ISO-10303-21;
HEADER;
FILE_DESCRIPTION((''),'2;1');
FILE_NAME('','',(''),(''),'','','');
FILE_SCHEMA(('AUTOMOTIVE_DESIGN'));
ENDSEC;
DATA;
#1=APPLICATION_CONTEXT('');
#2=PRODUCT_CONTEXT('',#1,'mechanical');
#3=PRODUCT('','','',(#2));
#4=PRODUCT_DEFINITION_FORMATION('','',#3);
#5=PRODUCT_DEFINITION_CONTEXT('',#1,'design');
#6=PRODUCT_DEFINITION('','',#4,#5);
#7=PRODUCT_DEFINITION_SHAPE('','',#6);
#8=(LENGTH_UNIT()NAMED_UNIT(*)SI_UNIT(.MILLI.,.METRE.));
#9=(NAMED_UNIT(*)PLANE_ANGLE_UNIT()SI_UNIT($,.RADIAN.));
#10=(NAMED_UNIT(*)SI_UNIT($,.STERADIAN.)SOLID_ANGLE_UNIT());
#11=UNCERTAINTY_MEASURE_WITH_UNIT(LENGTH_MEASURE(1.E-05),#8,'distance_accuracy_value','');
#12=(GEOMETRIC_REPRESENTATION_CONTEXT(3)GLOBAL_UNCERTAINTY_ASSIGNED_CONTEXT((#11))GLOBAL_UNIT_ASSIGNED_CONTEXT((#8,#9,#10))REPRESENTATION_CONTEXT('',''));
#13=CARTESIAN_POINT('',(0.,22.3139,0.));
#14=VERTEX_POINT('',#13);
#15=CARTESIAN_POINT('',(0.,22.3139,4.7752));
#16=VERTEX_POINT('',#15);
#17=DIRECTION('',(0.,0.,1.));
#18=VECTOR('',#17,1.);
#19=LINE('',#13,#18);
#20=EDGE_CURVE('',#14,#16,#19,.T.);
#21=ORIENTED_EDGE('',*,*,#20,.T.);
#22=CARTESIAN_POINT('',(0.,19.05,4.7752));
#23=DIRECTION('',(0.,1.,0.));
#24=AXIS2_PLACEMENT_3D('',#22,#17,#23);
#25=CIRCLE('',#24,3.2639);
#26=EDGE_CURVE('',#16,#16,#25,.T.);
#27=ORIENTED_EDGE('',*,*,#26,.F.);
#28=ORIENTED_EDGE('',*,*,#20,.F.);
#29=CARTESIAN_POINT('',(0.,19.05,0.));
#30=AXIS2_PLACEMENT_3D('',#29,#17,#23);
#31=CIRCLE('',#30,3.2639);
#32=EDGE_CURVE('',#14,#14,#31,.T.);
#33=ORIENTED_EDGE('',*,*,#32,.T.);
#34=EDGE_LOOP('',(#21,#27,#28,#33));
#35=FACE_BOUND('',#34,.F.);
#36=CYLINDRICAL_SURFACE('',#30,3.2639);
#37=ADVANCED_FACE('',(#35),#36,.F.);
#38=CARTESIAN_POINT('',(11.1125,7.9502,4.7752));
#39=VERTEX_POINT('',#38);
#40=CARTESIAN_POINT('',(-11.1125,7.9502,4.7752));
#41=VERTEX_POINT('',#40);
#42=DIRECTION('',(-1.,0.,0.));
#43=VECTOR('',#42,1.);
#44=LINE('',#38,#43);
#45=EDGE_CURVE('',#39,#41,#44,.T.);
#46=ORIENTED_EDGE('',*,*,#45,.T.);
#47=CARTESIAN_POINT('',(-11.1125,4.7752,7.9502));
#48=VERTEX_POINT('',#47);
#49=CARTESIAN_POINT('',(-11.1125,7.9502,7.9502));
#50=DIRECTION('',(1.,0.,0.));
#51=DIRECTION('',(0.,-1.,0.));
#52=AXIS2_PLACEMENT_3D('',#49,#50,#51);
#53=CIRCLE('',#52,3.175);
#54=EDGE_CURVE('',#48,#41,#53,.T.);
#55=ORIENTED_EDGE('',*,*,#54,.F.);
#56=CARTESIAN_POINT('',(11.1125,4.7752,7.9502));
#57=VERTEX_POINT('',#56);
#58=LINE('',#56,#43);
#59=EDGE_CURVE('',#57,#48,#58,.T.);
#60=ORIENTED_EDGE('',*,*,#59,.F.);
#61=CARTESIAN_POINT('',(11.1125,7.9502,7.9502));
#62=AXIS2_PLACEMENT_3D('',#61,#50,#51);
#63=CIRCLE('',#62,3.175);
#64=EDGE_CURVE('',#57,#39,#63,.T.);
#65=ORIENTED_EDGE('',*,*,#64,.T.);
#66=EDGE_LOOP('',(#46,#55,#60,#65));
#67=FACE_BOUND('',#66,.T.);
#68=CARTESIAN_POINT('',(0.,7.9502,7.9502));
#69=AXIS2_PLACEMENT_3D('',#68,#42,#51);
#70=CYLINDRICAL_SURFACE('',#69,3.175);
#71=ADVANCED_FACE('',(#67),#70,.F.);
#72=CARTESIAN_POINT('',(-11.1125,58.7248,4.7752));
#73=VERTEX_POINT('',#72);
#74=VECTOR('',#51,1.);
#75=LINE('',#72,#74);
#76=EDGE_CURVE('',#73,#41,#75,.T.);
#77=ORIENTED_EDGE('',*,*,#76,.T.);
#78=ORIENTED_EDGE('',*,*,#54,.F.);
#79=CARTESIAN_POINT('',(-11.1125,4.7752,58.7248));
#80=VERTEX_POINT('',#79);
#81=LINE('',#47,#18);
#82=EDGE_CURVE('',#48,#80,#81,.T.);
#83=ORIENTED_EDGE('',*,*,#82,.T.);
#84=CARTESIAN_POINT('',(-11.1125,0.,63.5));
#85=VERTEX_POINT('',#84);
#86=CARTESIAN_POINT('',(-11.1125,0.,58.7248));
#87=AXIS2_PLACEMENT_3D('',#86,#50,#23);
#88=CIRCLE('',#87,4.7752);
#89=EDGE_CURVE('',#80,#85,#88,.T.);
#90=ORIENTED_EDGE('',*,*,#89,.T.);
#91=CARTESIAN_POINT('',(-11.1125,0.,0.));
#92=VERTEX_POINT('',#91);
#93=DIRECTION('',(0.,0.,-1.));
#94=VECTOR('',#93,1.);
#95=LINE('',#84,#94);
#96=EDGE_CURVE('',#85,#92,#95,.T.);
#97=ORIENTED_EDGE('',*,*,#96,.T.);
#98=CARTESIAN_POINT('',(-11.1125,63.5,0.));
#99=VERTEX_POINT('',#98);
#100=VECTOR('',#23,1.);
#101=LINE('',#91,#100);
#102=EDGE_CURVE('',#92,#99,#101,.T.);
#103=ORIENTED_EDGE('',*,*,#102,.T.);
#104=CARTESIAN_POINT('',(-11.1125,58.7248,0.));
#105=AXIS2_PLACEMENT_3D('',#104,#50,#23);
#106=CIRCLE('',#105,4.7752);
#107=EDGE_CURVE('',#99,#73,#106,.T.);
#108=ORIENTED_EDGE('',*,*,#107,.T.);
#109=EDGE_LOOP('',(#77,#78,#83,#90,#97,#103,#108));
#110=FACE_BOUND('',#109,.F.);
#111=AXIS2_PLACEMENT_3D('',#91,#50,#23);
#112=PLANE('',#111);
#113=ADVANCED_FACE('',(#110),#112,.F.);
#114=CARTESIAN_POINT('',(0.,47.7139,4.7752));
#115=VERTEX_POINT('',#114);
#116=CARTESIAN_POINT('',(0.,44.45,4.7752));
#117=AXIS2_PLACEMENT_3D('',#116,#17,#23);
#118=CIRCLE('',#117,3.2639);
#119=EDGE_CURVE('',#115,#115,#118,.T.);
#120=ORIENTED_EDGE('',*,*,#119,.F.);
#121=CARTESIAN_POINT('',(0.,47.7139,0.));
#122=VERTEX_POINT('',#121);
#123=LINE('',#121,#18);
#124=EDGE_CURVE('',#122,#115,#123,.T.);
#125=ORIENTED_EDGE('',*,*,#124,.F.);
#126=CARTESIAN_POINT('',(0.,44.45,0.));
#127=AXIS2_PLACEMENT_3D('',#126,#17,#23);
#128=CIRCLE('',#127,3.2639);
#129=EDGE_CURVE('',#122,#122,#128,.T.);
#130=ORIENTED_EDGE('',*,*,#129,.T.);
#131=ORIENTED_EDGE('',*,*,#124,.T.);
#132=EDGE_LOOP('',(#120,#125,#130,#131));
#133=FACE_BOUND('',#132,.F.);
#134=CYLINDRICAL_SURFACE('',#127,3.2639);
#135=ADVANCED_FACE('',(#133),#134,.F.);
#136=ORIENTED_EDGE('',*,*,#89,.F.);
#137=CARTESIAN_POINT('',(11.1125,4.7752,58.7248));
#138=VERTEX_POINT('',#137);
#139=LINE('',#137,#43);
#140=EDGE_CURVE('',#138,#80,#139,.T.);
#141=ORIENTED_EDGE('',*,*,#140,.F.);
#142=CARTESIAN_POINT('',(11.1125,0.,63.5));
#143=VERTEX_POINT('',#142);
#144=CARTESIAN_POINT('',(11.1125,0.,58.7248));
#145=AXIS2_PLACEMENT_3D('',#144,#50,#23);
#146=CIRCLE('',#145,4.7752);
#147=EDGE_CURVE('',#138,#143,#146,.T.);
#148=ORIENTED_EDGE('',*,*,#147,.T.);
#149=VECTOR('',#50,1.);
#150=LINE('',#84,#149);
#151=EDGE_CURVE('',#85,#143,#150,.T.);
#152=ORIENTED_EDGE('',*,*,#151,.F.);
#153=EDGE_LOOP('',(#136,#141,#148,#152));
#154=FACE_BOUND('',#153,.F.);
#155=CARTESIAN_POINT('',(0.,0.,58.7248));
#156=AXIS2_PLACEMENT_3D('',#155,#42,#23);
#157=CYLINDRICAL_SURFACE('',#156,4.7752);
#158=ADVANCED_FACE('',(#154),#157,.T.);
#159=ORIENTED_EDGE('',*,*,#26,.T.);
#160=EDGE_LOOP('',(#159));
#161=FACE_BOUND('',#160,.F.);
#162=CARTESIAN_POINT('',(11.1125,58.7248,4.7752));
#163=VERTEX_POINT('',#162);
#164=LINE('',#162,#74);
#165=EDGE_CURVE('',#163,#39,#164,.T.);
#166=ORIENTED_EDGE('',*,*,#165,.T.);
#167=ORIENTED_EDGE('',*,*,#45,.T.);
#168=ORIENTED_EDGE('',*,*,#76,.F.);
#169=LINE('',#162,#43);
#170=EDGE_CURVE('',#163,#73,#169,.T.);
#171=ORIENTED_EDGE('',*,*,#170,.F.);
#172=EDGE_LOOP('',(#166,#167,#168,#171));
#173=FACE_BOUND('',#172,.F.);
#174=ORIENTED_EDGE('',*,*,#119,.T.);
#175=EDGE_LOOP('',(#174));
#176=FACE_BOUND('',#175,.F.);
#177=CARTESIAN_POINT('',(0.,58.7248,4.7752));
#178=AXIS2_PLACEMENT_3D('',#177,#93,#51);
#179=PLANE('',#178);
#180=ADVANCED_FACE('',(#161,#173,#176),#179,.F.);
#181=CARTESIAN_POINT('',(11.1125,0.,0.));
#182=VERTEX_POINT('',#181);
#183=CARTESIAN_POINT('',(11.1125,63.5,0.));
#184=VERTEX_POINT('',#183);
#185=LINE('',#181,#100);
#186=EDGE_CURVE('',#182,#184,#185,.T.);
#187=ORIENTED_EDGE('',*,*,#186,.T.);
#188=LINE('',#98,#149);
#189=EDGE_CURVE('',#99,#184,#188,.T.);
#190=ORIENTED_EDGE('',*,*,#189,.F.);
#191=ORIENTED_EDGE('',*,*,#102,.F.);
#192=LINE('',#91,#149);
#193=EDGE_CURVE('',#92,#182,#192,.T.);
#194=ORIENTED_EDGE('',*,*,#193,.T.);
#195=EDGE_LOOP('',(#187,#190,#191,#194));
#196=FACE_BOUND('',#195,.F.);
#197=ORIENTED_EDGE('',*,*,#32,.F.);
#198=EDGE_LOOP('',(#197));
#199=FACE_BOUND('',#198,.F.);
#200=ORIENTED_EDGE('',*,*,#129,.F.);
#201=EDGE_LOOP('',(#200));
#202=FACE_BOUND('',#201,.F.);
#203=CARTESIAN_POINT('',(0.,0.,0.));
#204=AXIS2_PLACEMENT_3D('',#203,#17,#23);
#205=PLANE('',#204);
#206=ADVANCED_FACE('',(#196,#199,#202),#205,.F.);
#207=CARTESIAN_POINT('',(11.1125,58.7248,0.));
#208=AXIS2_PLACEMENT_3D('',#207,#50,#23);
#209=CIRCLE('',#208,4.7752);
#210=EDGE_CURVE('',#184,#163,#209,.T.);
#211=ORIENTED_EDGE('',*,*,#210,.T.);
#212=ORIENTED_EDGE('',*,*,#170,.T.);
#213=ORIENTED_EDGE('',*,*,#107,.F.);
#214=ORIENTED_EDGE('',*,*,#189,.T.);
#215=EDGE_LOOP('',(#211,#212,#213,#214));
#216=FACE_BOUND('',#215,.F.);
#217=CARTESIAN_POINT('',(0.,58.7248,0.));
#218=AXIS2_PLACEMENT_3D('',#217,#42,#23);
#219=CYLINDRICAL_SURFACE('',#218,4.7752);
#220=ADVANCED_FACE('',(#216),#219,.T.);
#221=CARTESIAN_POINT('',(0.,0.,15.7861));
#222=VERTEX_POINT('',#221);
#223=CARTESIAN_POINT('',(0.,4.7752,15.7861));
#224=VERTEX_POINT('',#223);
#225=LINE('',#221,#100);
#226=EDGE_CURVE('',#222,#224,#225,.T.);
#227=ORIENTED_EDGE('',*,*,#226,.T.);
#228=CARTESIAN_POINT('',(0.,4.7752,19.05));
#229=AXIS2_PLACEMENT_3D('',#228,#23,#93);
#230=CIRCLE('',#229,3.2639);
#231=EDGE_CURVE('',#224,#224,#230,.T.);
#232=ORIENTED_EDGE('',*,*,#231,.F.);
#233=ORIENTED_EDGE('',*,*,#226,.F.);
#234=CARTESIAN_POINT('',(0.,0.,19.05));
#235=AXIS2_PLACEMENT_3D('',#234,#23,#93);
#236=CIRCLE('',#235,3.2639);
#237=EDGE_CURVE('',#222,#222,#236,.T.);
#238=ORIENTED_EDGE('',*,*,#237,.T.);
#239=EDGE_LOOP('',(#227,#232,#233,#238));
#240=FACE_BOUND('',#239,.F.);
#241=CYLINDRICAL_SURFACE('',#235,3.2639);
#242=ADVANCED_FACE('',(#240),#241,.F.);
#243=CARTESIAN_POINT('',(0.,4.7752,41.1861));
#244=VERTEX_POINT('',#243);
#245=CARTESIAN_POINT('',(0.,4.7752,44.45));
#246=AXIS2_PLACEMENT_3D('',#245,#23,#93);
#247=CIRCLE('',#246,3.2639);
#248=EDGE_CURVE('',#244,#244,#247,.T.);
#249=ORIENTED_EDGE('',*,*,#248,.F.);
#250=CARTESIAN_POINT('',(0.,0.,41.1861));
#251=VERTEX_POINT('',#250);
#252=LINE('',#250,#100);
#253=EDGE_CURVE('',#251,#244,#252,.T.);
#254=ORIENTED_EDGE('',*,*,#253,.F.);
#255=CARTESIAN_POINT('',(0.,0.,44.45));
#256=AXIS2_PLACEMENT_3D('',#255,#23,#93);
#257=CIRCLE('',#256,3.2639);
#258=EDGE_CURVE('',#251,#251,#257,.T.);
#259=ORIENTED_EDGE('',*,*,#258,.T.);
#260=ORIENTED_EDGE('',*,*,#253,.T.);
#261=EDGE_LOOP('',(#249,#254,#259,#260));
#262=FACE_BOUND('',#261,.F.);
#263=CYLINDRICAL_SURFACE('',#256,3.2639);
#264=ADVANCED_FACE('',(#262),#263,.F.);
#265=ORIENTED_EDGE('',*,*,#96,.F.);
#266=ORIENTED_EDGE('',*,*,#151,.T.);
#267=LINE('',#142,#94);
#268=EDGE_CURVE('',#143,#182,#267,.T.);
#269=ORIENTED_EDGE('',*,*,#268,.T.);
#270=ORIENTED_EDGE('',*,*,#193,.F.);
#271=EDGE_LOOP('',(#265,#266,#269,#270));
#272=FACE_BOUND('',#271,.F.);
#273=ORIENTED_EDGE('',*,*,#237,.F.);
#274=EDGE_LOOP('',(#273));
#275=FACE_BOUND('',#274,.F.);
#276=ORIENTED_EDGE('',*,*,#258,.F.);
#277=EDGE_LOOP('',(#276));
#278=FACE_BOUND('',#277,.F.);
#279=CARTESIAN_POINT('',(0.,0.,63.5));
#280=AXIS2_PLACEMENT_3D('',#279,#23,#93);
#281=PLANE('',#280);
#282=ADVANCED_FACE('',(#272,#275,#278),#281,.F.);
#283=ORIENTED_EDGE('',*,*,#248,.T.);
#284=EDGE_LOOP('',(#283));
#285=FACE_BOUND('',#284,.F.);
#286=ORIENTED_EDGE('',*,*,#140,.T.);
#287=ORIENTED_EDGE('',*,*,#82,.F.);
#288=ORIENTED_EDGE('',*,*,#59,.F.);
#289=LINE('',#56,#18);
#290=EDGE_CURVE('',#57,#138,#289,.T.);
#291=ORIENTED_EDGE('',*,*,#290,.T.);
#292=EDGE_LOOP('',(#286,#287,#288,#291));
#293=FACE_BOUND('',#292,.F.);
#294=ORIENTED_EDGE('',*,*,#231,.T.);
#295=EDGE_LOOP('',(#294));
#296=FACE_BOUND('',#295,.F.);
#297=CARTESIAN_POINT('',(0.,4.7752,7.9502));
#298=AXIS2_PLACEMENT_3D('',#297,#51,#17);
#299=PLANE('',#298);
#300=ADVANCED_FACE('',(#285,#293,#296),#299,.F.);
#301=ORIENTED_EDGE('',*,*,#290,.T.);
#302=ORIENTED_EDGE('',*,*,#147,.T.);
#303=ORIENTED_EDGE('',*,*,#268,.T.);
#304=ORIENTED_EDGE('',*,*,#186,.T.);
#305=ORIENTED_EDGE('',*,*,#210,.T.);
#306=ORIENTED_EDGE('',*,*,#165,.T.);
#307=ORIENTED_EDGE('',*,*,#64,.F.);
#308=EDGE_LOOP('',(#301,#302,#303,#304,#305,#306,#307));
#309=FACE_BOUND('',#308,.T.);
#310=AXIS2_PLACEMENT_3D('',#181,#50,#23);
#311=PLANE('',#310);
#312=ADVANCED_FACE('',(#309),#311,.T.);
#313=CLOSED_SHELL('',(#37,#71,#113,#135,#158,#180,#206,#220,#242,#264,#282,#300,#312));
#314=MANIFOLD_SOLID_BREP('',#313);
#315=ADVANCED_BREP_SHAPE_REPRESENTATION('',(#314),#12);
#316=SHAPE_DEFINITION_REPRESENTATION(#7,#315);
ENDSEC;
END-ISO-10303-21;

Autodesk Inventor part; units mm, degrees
ref_plane "YZ Plane" through (0, 0, 0) normal (1, 0, 0) x (0, 1, 0)
ref_plane "XZ Plane" through (0, 0, 0) normal (0, 1, 0) x (-1, 0, 0)
ref_plane "XY Plane" through (0, 0, 0) normal (0, 0, 1) x (1, 0, 0)
sketch "Sketch_1" plane through (0, 0, 0) normal (1, 0, 0) x (0, 1, 0)
  line L0 (0, 63.5) -> (0, 0)
  line L1 (0, 0) -> (63.5, 0)
  arc A0 (63.5, 0) -> (58.7248, 4.7752) centre (58.7248, 0) ccw
  line L2 (58.7248, 4.7752) -> (7.9502, 4.7752)
  arc A1 (4.7752, 7.9502) -> (7.9502, 4.7752) centre (7.9502, 7.9502) ccw
  line L3 (4.7752, 7.9502) -> (4.7752, 58.7248)
  arc A2 (4.7752, 58.7248) -> (0, 63.5) centre (0, 58.7248) ccw
extrude "Extrusion1" add sketch "Sketch_1" along normal mid plane 22.225
sketch "Sketch2" plane through (11.1125, 63.5, 0) normal (0, 0, -1) x (-1, 0, 0)
  point P0 (11.1125, -44.45)
hole "Hole1" at (0, 19.05, 0) direction (0, 0, 1) diameter 6.5278 depth 4.7752
sketch "Sketch3" plane through (11.1125, 63.5, 0) normal (0, 0, -1) x (-1, 0, 0)
  point P0 (11.1125, -19.05)
hole "Hole2" at (0, 44.45, 0) direction (0, 0, 1) diameter 6.5278 depth 4.7752
sketch "Sketch4" plane through (-11.1125, 0, 0) normal (0, -1, 0) x (1, 0, 0)
  point P0 (11.1125, 19.05)
hole "Hole3" at (0, 0, 19.05) direction (0, 1, 0) diameter 6.5278 depth 4.7752
sketch "Sketch5" plane through (-11.1125, 0, 0) normal (0, -1, 0) x (1, 0, 0)
  point P0 (11.1125, 44.45)
hole "Hole4" at (0, 0, 44.45) direction (0, 1, 0) diameter 6.5278 depth 4.7752
properties part number "4101"
